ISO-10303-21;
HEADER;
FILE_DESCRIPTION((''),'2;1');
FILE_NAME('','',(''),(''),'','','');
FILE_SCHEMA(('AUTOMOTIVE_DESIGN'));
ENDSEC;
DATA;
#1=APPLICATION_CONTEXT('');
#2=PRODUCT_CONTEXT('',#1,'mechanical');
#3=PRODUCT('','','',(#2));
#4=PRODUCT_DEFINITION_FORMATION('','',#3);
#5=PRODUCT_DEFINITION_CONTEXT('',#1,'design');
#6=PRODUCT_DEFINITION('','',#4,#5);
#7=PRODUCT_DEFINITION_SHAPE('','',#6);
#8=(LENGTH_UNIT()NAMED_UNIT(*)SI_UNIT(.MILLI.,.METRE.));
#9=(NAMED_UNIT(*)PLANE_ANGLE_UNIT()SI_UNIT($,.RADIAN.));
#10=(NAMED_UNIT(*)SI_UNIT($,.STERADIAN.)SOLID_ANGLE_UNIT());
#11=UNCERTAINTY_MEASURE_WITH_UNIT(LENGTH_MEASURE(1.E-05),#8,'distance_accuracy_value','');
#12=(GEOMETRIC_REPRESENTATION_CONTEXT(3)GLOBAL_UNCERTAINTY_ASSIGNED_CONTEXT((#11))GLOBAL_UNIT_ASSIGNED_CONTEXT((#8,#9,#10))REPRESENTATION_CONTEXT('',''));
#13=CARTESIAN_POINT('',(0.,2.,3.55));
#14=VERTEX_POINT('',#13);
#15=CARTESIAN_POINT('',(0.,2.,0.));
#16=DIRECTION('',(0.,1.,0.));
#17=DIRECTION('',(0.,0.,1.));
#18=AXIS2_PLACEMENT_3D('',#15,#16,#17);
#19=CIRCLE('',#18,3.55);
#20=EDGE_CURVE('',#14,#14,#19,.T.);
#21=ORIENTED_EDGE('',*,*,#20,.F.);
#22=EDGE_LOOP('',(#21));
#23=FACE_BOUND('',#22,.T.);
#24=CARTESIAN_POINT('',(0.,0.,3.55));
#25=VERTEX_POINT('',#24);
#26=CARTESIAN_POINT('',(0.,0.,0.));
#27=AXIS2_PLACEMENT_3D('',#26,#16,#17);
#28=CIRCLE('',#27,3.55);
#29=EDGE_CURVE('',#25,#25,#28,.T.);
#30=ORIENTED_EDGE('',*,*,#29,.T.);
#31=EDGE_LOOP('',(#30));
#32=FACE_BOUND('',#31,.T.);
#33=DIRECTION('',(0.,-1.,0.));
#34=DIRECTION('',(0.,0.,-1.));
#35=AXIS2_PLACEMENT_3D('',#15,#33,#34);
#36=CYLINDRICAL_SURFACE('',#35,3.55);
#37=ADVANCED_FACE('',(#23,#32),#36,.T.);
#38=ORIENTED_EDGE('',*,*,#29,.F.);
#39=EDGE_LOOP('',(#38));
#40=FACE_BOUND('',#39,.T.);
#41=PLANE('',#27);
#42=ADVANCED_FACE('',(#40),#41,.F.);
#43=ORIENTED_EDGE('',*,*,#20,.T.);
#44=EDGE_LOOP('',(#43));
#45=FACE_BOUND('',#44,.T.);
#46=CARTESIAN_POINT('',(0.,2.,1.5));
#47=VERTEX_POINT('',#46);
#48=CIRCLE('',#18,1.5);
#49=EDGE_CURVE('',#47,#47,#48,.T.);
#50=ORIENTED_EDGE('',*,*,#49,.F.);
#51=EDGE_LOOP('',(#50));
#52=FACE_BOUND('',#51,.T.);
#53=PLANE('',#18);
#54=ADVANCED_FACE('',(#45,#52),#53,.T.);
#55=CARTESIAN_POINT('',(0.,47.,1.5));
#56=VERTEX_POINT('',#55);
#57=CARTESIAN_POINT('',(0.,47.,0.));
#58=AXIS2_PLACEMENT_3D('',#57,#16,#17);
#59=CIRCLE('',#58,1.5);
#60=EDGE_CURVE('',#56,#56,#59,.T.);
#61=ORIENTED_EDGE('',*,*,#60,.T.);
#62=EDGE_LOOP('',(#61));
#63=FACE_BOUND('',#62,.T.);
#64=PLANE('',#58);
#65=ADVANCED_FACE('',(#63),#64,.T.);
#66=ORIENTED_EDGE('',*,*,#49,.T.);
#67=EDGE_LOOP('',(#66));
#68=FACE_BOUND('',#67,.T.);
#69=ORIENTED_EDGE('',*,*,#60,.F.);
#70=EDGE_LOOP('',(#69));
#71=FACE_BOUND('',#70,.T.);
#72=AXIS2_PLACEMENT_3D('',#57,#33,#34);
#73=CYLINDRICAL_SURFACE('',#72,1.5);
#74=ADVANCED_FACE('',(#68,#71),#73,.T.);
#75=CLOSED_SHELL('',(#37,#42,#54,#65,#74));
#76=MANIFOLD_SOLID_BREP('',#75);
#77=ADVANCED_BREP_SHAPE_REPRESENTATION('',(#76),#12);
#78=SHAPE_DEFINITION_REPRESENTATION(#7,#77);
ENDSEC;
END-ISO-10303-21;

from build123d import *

# Parameters (mm, degrees)
SKETCH_1_R      = 3.55
EXTRUDE_1_DEPTH = 2
SKETCH_2_R      = 1.5
EXTRUDE_2_DEPTH = 45


with BuildPart() as part:
    # 草图1 → 凸台-拉伸1 (new body)
    with BuildSketch(Plane(origin=(0, 0, 0), x_dir=(1, 0, 0), z_dir=(0, 1, 0))):
        Circle(SKETCH_1_R)
    extrude(amount=EXTRUDE_1_DEPTH)

    # 草图2 → 凸台-拉伸2 (add)
    with BuildSketch(Plane(origin=(0, 2, 0), x_dir=(1, 0, 0), z_dir=(0, 1, 0))):
        Circle(SKETCH_2_R)
    extrude(amount=EXTRUDE_2_DEPTH)


solid = part.part
